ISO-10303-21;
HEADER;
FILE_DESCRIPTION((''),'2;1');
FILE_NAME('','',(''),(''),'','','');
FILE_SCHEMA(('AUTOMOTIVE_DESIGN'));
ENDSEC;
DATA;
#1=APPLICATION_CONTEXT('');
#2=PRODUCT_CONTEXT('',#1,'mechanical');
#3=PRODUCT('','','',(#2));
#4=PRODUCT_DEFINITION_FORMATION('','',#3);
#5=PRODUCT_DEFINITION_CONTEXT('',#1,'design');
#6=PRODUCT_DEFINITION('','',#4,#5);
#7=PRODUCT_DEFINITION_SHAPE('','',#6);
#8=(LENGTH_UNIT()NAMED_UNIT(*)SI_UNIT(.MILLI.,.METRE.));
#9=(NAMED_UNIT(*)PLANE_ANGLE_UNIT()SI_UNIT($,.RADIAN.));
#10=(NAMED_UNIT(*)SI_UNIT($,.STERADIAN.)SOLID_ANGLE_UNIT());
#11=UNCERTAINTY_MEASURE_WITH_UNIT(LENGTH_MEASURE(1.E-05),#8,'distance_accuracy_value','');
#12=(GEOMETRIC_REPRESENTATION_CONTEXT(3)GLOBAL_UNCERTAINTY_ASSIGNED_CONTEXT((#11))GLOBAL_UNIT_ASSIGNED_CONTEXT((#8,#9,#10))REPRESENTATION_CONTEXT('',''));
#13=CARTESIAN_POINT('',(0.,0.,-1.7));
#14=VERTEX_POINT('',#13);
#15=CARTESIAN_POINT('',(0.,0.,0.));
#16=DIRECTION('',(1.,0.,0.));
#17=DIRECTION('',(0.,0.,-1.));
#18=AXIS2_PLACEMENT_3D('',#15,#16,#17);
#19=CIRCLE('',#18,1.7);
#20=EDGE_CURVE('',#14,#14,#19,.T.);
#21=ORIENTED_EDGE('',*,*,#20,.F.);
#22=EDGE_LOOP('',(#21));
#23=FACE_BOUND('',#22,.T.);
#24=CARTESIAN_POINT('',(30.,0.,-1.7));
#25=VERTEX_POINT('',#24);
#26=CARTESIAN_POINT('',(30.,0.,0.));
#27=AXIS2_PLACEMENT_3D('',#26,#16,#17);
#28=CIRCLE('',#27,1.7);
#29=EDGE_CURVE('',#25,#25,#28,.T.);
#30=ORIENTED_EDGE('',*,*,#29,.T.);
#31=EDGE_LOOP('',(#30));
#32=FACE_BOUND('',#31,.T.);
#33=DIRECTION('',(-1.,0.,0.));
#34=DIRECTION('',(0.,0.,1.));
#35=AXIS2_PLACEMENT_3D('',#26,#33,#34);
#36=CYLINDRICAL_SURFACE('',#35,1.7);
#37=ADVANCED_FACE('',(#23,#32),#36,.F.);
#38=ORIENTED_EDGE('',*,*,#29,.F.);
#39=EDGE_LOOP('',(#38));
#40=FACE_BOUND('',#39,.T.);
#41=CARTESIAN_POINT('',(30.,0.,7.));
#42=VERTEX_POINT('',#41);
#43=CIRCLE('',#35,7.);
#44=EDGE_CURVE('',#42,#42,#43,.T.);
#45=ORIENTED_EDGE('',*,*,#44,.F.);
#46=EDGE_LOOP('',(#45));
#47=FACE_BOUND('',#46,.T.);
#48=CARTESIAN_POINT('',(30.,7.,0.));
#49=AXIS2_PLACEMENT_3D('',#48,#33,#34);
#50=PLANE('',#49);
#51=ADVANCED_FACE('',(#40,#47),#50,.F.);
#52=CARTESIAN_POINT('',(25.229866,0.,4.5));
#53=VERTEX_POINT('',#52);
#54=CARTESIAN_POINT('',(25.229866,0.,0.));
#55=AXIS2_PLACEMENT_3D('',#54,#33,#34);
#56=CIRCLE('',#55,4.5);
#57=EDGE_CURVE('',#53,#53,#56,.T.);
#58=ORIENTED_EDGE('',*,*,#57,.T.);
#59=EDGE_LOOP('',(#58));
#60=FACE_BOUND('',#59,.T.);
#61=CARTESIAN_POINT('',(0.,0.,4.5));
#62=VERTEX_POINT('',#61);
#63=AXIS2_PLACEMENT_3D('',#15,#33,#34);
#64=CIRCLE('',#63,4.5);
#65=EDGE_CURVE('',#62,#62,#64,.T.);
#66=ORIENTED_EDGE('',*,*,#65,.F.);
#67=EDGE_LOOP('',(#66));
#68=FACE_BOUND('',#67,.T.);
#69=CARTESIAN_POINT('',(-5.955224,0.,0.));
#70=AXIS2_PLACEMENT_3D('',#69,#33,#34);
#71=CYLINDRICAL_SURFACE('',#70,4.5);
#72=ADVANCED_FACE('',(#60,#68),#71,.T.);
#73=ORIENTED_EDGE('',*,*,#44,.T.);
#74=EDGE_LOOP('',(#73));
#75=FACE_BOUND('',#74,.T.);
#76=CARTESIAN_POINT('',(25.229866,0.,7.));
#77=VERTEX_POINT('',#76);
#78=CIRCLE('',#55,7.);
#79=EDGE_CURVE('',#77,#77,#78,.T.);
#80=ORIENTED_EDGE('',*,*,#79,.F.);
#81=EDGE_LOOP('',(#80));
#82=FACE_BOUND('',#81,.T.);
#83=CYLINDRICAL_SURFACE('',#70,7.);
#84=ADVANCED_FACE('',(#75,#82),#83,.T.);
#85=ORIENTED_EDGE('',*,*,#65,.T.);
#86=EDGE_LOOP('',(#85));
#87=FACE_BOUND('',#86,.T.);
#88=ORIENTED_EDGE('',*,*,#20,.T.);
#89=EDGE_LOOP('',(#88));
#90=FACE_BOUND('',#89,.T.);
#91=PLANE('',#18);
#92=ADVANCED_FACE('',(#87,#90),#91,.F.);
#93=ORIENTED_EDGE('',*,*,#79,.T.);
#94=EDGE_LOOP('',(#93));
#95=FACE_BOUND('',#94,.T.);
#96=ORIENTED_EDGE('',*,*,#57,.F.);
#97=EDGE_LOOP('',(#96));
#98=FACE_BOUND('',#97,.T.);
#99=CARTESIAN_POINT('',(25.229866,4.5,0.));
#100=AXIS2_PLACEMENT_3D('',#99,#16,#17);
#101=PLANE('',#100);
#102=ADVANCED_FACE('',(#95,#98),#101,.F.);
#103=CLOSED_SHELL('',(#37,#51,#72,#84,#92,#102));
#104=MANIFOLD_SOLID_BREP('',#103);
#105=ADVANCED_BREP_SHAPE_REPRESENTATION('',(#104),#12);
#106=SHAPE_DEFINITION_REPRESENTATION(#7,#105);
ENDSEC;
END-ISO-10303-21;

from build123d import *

# Parameters (mm, degrees)
SKETCH2_R          = 1.7
CUT_EXTRUDE2_DEPTH = 32.591137998


with BuildPart() as part:
    # Sketch1 → Revolve1 (revolve)
    with BuildSketch(Plane.XY, mode=Mode.PRIVATE) as revolve1_sk:
        Polygon((0, 0), (0, 4.5), (25.2298663, 4.5), (25.2298663, 7), (30, 7), (30, 0), align=None)
    revolve(revolve1_sk.sketch.rotate(Axis((-5.955223881, 0, 0), (1, 0, 0)), 90), axis=Axis((-5.955223881, 0, 0), (1, 0, 0)))

    # Sketch2 → Cut-Extrude2 (cut, through all)
    with BuildSketch(Plane(origin=(0, 0, 0), x_dir=(0, 0, -1), z_dir=(1, 0, 0))):
        Circle(SKETCH2_R)
    extrude(amount=CUT_EXTRUDE2_DEPTH, mode=Mode.SUBTRACT)


solid = part.part
